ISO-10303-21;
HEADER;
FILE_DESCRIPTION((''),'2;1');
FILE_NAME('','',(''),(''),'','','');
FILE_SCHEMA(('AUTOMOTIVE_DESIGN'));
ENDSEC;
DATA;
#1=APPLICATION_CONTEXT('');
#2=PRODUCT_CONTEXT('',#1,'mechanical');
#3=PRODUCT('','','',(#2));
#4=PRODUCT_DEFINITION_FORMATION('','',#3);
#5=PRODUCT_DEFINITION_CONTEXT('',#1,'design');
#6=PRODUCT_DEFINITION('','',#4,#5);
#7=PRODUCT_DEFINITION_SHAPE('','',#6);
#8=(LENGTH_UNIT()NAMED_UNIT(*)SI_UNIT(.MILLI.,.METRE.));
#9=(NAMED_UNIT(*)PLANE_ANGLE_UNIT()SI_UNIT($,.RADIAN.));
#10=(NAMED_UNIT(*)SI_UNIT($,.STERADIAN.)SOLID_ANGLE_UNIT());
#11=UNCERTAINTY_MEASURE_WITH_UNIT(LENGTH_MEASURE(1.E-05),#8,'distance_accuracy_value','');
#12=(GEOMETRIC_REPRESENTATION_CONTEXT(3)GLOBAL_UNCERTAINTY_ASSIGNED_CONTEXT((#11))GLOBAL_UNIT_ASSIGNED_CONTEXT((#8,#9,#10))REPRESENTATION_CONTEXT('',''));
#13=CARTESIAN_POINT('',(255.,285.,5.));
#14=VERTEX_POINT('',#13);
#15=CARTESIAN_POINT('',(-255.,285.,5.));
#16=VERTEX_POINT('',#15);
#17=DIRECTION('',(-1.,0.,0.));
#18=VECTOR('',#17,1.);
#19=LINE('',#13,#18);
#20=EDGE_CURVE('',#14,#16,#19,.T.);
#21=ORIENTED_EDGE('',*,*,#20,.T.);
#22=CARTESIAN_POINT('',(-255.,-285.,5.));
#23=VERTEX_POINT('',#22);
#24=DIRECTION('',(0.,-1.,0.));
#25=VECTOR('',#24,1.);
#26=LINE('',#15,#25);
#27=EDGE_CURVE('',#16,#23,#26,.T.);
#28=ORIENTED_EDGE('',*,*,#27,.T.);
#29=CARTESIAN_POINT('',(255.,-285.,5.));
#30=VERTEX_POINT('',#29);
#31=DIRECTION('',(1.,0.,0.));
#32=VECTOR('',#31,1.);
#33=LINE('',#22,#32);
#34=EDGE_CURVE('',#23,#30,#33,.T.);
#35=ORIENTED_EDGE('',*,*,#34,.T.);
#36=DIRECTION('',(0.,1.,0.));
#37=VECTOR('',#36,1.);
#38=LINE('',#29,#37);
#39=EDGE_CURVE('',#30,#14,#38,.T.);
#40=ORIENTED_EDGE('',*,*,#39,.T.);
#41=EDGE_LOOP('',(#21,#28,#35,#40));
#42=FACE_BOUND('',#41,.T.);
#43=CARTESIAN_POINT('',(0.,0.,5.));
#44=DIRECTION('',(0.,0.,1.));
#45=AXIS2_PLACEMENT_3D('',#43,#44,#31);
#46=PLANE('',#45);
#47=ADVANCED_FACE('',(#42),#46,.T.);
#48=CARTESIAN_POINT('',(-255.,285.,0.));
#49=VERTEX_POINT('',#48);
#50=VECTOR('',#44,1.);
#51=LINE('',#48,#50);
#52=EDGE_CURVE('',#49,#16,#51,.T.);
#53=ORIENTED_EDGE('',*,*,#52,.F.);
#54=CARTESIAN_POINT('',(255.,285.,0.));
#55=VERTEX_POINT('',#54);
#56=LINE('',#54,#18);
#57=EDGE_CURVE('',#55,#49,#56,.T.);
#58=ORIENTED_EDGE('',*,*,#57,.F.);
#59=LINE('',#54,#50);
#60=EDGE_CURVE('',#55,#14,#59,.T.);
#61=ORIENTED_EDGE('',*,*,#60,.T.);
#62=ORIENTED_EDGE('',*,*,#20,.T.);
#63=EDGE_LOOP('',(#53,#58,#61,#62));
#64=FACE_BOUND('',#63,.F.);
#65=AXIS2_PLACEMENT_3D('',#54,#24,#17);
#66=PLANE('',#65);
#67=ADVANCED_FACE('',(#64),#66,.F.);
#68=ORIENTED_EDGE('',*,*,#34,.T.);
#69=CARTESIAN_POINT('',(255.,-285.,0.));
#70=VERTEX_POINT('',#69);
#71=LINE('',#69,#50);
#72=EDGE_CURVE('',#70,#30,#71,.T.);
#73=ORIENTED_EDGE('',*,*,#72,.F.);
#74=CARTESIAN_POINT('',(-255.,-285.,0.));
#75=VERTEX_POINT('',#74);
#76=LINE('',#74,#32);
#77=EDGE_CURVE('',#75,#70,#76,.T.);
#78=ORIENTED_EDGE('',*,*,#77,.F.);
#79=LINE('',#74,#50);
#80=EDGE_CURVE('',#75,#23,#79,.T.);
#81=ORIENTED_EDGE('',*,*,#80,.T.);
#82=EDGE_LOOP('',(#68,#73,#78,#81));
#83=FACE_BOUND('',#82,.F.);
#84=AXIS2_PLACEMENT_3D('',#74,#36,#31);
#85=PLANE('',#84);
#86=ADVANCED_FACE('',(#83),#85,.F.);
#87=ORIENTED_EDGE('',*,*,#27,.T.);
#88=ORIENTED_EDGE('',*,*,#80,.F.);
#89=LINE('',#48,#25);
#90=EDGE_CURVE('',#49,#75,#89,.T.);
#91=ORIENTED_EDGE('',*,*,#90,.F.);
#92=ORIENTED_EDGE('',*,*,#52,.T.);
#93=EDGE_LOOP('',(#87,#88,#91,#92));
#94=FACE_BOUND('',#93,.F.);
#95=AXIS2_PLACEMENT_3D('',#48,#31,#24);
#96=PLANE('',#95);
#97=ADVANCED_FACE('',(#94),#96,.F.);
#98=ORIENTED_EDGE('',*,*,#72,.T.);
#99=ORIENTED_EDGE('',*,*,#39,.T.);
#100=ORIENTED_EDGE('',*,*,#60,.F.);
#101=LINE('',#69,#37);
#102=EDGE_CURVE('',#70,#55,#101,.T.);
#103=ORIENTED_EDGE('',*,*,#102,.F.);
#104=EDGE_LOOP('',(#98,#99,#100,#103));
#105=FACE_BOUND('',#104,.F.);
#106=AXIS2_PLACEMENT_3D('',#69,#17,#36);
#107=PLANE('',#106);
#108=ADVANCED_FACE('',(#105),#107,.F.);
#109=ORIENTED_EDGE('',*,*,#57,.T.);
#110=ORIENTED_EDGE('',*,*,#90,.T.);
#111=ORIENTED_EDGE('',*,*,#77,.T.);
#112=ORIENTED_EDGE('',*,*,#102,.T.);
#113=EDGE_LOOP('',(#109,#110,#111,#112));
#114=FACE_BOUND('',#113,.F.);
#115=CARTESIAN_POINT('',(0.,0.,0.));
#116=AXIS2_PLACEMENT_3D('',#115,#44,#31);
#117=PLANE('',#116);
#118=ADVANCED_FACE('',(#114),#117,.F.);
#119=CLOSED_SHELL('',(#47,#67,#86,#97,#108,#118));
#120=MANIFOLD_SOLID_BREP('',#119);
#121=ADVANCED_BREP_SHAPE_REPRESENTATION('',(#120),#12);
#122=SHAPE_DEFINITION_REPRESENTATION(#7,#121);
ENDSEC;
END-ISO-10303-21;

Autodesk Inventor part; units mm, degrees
ref_plane "YZ Plane" through (0, 0, 0) normal (1, 0, 0) x (0, 1, 0)
ref_plane "XZ Plane" through (0, 0, 0) normal (0, 1, 0) x (-1, 0, 0)
ref_plane "XY Plane" through (0, 0, 0) normal (0, 0, 1) x (1, 0, 0)
sketch "스케치1" plane through (0, 0, 0) normal (0, 0, 1) x (1, 0, 0)
  line L0 (-255, -285) -> (255, -285)
  line L1 (255, -285) -> (255, 285)
  line L2 (255, 285) -> (-255, 285)
  line L3 (-255, 285) -> (-255, -285)
  line L4 (-255, -285) -> (255, 285) construction
  line L5 (255, -285) -> (-255, 285) construction
  point P0 (0, 0)
  dimension "d0" = 510
  dimension "d1" = 570
extrude "돌출1" add sketch "스케치1" along normal blind 5
properties part number "510x570 패널"
